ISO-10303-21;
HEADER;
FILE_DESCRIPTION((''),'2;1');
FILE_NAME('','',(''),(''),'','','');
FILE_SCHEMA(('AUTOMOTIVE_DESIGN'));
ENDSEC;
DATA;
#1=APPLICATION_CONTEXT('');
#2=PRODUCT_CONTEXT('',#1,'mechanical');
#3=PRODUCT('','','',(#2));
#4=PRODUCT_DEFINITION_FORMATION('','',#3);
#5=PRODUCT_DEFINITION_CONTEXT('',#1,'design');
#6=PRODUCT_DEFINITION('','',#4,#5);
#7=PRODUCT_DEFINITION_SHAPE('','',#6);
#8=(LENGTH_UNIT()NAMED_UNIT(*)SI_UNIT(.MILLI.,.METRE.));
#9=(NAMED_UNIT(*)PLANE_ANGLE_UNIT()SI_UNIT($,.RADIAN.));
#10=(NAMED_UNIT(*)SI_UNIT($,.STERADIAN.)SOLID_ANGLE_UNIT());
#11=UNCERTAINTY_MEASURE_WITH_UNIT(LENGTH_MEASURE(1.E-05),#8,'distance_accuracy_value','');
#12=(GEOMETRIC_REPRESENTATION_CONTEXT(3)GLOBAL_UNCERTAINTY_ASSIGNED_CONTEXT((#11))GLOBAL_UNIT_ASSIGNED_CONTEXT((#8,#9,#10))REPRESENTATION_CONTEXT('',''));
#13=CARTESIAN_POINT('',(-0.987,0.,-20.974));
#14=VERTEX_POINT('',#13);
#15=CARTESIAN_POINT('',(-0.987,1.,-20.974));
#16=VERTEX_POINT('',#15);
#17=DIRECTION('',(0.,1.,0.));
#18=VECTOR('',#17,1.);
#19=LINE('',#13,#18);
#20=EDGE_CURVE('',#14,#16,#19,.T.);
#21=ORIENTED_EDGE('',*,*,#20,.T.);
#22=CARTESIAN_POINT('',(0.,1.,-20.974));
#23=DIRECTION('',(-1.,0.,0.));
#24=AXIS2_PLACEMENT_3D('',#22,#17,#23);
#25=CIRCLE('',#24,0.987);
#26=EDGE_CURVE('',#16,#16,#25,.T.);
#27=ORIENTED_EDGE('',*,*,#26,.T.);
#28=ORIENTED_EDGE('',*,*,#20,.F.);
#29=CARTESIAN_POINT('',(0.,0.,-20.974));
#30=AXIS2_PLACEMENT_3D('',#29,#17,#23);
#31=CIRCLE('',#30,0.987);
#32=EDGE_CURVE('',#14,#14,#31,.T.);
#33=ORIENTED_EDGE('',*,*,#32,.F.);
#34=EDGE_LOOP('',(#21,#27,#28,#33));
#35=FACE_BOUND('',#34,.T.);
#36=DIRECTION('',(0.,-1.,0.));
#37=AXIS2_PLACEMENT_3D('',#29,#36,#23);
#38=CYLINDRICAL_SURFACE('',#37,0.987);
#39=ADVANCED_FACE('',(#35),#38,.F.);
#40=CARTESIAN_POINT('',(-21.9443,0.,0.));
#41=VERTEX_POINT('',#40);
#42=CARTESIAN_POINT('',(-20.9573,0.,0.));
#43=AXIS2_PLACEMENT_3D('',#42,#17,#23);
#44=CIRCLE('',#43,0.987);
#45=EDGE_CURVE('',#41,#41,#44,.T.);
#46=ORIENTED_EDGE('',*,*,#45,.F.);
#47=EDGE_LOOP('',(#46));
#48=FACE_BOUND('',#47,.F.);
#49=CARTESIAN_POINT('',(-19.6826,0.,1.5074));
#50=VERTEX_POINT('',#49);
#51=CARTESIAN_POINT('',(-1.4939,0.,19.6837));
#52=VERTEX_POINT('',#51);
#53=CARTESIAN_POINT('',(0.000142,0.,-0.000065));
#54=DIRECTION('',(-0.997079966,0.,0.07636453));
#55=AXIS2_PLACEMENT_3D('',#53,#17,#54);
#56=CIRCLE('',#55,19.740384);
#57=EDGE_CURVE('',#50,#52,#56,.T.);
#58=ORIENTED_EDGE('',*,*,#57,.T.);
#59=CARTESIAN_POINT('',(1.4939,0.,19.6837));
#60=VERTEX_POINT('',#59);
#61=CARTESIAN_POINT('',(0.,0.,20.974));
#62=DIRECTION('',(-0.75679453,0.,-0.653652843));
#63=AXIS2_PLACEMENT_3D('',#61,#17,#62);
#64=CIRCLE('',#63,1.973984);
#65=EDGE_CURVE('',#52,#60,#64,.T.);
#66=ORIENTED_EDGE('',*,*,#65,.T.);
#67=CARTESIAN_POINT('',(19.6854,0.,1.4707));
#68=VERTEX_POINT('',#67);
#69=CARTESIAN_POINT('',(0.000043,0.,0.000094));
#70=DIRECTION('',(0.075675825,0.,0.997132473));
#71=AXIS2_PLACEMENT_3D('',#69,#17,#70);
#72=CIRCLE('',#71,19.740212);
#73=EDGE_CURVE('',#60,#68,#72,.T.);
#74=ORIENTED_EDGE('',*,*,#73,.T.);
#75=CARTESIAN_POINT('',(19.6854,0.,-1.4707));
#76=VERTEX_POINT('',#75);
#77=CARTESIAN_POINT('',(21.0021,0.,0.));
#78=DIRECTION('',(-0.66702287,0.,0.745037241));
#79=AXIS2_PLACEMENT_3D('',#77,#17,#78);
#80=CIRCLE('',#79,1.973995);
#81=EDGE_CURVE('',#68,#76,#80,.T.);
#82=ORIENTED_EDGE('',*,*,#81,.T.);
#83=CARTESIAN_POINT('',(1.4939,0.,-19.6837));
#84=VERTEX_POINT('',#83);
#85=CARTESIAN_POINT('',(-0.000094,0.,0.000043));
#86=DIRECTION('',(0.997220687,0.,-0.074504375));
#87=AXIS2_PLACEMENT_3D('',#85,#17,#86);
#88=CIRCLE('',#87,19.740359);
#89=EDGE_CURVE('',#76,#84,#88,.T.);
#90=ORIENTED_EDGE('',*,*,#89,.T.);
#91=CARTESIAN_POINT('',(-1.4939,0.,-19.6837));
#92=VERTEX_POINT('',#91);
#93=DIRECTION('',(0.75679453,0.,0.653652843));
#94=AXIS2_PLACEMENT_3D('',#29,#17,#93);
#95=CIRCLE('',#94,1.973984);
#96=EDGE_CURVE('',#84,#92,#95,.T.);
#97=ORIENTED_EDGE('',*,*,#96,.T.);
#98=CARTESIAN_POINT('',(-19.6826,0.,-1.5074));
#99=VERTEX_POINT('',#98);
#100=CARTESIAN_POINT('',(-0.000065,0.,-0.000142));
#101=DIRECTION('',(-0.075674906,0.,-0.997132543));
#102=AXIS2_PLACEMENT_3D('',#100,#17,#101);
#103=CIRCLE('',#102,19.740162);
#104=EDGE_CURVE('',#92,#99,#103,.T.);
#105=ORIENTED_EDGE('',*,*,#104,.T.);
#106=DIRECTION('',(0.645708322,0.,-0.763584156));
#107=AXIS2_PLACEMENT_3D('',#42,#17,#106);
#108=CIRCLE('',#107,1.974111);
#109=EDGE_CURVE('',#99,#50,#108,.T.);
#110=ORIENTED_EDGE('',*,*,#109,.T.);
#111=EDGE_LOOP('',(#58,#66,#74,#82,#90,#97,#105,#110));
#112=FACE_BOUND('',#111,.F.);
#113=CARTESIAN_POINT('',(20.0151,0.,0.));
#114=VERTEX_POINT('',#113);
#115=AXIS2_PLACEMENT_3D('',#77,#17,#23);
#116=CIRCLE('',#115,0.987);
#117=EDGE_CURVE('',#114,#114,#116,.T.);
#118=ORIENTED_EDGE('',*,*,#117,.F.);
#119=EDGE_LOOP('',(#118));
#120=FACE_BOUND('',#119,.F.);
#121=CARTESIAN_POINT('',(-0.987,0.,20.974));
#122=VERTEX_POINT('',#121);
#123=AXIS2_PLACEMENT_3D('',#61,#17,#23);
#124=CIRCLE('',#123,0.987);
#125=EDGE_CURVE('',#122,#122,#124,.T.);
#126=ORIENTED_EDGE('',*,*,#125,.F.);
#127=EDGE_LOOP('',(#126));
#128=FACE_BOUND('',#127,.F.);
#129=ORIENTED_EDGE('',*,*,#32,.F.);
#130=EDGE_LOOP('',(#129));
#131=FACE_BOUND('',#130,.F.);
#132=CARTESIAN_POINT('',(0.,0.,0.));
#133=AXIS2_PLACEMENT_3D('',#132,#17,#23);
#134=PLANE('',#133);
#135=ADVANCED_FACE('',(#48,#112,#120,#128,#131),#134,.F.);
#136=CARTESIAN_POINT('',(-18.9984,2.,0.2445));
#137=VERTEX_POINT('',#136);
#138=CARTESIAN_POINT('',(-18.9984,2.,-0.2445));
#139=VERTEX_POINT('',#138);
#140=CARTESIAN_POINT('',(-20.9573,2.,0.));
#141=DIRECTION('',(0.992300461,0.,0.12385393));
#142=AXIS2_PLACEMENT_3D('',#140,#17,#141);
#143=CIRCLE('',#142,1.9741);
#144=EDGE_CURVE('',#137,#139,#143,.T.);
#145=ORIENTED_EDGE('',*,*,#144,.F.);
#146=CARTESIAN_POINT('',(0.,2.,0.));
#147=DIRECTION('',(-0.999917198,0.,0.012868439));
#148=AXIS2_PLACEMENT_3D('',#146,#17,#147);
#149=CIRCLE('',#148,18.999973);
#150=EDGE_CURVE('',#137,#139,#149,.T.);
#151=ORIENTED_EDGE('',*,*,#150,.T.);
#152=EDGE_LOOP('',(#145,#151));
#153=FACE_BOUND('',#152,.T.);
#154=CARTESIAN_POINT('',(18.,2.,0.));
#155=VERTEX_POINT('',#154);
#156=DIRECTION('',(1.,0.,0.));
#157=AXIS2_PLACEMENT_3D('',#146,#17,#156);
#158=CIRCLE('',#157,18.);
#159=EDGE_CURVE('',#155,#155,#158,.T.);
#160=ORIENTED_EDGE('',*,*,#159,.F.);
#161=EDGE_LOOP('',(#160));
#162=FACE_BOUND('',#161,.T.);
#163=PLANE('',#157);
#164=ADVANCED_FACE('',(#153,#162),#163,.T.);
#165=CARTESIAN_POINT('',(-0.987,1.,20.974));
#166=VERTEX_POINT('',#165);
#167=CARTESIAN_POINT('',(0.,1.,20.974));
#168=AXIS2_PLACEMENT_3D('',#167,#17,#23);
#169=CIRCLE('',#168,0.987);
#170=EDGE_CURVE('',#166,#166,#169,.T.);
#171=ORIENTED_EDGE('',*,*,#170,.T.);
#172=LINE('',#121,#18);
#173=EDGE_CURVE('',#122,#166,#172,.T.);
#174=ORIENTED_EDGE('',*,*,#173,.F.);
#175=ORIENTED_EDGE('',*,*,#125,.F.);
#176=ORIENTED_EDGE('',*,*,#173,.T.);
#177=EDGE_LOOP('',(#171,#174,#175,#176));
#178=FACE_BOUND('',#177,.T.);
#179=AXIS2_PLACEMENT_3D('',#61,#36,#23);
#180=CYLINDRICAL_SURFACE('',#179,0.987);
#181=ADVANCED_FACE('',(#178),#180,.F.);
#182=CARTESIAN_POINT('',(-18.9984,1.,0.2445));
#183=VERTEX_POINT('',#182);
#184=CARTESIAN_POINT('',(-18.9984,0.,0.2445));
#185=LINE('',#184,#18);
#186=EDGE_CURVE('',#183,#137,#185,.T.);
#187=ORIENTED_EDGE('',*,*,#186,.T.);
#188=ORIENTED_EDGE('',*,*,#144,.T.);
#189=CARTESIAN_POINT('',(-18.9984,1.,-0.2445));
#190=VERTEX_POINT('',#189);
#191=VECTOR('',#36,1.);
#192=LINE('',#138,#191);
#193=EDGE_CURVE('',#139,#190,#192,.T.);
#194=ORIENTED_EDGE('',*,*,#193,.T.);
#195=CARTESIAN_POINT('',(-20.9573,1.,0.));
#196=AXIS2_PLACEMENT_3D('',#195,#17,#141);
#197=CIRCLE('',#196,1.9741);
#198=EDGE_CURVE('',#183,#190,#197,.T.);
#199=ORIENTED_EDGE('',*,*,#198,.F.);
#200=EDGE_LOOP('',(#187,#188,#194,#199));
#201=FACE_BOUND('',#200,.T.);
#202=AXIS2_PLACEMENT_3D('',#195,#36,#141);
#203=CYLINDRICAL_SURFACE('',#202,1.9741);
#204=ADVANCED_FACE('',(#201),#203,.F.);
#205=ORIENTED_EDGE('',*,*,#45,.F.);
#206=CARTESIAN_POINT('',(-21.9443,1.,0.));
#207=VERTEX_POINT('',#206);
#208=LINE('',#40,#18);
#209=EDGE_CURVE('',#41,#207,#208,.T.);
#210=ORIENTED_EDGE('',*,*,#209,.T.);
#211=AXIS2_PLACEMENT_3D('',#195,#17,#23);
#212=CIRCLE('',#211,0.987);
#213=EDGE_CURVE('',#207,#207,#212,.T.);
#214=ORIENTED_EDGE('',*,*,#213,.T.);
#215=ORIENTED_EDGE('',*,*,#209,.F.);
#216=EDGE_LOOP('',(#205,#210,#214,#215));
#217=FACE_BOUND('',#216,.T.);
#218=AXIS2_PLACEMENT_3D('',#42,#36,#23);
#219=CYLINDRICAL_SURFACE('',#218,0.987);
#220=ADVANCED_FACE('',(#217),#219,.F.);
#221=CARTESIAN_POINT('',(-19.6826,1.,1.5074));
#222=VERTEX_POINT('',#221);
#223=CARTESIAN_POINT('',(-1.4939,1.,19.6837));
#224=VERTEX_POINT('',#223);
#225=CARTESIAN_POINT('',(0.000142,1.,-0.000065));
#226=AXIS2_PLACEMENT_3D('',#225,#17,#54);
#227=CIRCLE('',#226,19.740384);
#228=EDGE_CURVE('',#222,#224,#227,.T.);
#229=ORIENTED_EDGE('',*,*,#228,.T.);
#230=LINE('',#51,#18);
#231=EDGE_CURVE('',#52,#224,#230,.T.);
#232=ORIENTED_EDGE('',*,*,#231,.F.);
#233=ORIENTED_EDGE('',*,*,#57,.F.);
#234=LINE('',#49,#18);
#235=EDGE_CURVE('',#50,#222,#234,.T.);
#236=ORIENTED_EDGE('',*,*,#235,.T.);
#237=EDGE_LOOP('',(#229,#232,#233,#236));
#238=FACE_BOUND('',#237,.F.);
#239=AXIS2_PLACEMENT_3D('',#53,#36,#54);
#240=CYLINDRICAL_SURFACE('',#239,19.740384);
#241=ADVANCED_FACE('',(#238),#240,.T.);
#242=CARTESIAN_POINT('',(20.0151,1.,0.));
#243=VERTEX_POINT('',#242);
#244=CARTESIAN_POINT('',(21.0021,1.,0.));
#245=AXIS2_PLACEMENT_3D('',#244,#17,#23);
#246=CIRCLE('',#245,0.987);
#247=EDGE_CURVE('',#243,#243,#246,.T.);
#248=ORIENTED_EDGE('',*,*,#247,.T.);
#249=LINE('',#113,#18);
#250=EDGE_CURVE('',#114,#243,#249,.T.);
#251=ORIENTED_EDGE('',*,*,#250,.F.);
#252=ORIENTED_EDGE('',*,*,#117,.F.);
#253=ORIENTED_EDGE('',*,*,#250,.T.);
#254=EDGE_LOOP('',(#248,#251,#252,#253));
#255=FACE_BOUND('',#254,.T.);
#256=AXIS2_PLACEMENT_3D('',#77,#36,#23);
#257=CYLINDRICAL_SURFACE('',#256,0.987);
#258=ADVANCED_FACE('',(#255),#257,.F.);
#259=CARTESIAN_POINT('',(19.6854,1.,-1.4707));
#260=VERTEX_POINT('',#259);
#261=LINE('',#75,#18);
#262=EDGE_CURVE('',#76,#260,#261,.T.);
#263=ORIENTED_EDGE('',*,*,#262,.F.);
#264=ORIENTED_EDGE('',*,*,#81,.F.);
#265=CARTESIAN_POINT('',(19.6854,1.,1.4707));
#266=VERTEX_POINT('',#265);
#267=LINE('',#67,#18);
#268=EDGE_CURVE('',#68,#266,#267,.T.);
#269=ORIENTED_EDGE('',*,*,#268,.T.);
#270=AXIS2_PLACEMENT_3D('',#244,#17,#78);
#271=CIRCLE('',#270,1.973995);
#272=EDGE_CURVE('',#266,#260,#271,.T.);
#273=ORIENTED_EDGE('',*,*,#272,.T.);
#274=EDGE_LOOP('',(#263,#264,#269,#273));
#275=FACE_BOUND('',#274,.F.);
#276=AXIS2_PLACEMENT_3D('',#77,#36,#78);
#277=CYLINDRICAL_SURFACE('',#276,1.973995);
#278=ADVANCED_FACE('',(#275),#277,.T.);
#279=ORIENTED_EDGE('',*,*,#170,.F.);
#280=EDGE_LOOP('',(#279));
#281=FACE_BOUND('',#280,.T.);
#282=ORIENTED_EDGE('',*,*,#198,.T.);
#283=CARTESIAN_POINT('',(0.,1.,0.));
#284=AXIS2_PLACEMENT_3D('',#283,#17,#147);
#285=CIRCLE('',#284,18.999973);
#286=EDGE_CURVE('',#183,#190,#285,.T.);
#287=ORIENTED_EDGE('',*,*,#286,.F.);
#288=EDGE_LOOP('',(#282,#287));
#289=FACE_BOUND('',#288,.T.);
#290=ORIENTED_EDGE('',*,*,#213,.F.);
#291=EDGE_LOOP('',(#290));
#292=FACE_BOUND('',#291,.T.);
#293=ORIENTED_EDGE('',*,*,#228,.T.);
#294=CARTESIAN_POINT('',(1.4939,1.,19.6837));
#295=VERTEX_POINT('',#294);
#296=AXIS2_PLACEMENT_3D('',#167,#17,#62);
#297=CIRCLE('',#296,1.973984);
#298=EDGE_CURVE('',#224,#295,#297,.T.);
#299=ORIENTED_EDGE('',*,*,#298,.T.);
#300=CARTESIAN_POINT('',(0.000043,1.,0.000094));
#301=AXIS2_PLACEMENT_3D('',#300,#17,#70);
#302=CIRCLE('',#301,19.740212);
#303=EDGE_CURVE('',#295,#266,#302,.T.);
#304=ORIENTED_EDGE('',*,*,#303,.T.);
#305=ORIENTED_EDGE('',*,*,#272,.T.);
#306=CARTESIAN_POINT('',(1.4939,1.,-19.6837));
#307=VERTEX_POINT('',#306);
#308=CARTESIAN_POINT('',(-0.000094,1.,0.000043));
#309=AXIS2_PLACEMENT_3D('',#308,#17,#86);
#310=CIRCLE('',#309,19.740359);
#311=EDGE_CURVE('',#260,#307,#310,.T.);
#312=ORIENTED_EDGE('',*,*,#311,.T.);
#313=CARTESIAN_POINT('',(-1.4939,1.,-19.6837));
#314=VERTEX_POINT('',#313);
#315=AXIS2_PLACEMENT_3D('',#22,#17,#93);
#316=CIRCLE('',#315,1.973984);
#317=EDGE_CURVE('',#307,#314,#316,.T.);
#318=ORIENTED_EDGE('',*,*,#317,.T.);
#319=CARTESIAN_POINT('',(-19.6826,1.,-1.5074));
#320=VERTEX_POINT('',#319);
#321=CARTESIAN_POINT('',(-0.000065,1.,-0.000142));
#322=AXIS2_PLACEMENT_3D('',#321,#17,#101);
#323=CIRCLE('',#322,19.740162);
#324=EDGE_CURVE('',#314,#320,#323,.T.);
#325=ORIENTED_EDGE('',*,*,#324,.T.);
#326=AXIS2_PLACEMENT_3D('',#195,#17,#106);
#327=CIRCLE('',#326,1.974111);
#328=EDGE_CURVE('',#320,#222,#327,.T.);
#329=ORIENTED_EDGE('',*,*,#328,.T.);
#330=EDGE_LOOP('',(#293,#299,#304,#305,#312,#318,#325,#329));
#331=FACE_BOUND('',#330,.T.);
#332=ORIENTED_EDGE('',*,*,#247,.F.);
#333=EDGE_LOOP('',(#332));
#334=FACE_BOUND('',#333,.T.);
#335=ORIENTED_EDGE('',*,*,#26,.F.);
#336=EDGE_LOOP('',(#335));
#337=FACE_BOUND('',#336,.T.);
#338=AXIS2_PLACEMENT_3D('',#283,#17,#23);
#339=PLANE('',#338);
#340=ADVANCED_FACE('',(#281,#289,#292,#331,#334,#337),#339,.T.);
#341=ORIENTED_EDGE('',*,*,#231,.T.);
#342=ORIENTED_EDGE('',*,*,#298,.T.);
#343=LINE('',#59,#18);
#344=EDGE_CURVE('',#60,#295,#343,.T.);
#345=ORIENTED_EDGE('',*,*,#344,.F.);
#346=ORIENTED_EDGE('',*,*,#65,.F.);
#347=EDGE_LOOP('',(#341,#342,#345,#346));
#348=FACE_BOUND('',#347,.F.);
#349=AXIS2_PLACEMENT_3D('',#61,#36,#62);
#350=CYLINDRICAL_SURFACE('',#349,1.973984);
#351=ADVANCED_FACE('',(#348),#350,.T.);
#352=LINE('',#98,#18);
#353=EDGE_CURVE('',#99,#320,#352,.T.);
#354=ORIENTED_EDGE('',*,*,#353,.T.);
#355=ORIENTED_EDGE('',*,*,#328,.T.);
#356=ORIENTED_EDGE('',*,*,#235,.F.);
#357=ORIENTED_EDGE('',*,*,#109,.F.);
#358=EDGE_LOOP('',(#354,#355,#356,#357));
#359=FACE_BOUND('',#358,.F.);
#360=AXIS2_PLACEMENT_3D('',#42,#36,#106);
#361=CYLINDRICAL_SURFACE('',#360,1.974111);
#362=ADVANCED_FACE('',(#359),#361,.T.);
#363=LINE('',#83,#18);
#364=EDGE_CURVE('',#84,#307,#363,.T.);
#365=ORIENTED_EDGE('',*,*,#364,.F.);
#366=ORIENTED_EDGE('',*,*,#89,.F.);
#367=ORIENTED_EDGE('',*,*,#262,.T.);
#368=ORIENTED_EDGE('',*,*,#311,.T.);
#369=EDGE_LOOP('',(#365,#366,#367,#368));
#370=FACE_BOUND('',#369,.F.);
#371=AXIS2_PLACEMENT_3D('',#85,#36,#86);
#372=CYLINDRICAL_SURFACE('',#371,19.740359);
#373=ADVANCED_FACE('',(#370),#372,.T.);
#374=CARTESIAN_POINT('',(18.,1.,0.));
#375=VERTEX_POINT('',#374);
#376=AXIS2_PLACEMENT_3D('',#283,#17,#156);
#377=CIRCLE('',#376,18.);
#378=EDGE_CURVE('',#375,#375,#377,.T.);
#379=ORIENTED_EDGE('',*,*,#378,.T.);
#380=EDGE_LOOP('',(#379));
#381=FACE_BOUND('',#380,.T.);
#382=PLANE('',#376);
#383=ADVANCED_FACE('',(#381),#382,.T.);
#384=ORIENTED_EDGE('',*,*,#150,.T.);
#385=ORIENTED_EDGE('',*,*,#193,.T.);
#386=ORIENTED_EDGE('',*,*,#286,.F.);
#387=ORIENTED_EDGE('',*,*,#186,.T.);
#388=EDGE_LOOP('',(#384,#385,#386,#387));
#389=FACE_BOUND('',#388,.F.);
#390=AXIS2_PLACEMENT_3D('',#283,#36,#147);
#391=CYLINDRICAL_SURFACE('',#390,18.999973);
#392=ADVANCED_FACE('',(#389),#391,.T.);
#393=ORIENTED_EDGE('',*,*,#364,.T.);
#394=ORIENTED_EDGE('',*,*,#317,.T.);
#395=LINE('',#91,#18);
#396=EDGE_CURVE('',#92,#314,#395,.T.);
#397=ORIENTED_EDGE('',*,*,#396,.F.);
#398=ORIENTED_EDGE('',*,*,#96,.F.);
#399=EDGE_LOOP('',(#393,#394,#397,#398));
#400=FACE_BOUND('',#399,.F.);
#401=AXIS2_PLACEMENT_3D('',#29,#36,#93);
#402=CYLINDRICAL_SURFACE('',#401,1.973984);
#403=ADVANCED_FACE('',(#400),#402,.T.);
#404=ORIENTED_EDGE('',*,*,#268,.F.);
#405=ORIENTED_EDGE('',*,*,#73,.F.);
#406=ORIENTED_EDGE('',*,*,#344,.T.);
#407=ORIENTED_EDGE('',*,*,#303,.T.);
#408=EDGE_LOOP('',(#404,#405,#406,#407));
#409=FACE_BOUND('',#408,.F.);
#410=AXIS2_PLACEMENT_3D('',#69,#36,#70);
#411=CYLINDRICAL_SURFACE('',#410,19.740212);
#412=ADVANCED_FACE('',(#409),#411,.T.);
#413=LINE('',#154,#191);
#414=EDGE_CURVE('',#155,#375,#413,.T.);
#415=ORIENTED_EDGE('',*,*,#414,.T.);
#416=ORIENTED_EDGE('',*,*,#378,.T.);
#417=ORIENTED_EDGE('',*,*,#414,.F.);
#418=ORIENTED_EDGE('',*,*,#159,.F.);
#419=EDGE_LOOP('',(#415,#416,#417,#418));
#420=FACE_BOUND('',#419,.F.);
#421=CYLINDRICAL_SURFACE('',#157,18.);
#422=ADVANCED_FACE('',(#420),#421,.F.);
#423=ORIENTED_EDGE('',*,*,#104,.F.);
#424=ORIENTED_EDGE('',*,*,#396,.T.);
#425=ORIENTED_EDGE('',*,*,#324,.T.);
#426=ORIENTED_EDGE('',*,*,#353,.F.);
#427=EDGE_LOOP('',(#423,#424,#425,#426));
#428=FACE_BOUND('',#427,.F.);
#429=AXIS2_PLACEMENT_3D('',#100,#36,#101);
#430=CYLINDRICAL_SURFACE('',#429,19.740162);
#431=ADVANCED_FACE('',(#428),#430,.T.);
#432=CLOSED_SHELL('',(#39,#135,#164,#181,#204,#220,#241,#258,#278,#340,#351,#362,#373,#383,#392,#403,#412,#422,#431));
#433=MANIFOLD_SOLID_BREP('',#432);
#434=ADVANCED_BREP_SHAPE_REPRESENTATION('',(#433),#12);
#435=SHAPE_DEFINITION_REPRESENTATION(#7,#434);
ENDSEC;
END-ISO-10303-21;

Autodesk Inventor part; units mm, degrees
ref_plane "YZ Plane" through (0, 0, 0) normal (1, 0, 0) x (0, 1, 0)
ref_plane "XZ Plane" through (0, 0, 0) normal (0, 1, 0) x (-1, 0, 0)
ref_plane "XY Plane" through (0, 0, 0) normal (0, 0, 1) x (1, 0, 0)
sketch "Sketch1" plane through (0, 0, 0) normal (0, 1, 0) x (-1, 0, 0)
  arc A0 (18.9984, 0.2445) -> (18.9984, -0.2445) centre (0, 0) ccw
  circle A1 centre (0, 20.974) radius 0.987
  circle A2 centre (0, -20.974) radius 0.987
  arc A3 (18.9984, 0.2445) -> (18.9984, -0.2445) centre (0, 0) ccw
  arc A4 (18.9984, 0.2445) -> (18.9984, -0.2445) centre (20.9573, 0) ccw
  circle A5 centre (20.9573, 0) radius 0.987
  circle A6 centre (-21.0021, 0) radius 0.987
  arc A7 (-1.4939, 19.6837) -> (-19.6854, 1.4707) centre (0, 0) ccw
  arc A8 (-19.6854, 1.4707) -> (-19.6854, -1.4707) centre (-21.0021, 0) ccw
  arc A9 (-19.6854, -1.4707) -> (-1.4939, -19.6837) centre (0, 0) ccw
  arc A10 (-1.4939, -19.6837) -> (1.4939, -19.6837) centre (0, -20.974) ccw
  arc A11 (1.4939, -19.6837) -> (19.6826, -1.5074) centre (0, 0) ccw
  arc A12 (19.6826, -1.5074) -> (19.6826, 1.5074) centre (20.9573, 0) ccw
  arc A13 (19.6826, 1.5074) -> (1.4939, 19.6837) centre (0, 0) ccw
  arc A14 (1.4939, 19.6837) -> (-1.4939, 19.6837) centre (0, 20.974) ccw
  dimension "d0" = 19
extrude "Extrusion1" add sketch "Sketch1" along normal blind 1
sketch "Sketch2" plane through (0, 1, 0) normal (0, 1, 0) x (1, 0, 0)
  arc A0 (-18.9984, -0.2445) -> (-18.9984, 0.2445) centre (0, 0) ccw projected
  arc A1 (-18.9984, -0.2445) -> (-18.9984, 0.2445) centre (-20.9573, 0) ccw projected
  arc A2 (-18.9984, -0.2445) -> (-18.9984, 0.2445) centre (0, 0) ccw projected
  circle A3 centre (-20.9573, 0) radius 0.987 projected
  circle A4 centre (0, 20.974) radius 0.987 projected
  circle A5 centre (21.0021, 0) radius 0.987 projected
  circle A6 centre (0, -20.974) radius 0.987 projected
  arc A7 (1.4939, -19.6837) -> (19.6854, -1.4707) centre (0, 0) ccw projected
  arc A8 (19.6854, -1.4707) -> (19.6854, 1.4707) centre (21.0021, 0) ccw projected
  arc A9 (19.6854, 1.4707) -> (1.4939, 19.6837) centre (0, 0) ccw projected
  arc A10 (1.4939, 19.6837) -> (-1.4939, 19.6837) centre (0, 20.974) ccw projected
  arc A11 (-1.4939, 19.6837) -> (-19.6826, 1.5074) centre (0, 0) ccw projected
  arc A12 (-19.6826, 1.5074) -> (-19.6826, -1.5074) centre (-20.9573, 0) ccw projected
  arc A13 (-19.6826, -1.5074) -> (-1.4939, -19.6837) centre (0, 0) ccw projected
  arc A14 (-1.4939, -19.6837) -> (1.4939, -19.6837) centre (0, -20.974) ccw projected
extrude "Extrusion2" add sketch "Sketch2" along normal mid plane 2 contours A1 A0
sketch "Sketch3" plane through (0, 0, 0) normal (0, -1, 0) x (1, 0, 0)
  point P0 (0, 0)
sketch "Sketch4" plane through (0, 2, 0) normal (0, 1, 0) x (1, 0, 0)
  arc A0 (-18.9984, -0.2445) -> (-18.9984, 0.2445) centre (0, 0) ccw projected
  circle A1 centre (0, 0) radius 18
  dimension "d5" = 36
extrude "Extrusion3" cut sketch "Sketch4" against normal blind 1
properties part number "tapa"
